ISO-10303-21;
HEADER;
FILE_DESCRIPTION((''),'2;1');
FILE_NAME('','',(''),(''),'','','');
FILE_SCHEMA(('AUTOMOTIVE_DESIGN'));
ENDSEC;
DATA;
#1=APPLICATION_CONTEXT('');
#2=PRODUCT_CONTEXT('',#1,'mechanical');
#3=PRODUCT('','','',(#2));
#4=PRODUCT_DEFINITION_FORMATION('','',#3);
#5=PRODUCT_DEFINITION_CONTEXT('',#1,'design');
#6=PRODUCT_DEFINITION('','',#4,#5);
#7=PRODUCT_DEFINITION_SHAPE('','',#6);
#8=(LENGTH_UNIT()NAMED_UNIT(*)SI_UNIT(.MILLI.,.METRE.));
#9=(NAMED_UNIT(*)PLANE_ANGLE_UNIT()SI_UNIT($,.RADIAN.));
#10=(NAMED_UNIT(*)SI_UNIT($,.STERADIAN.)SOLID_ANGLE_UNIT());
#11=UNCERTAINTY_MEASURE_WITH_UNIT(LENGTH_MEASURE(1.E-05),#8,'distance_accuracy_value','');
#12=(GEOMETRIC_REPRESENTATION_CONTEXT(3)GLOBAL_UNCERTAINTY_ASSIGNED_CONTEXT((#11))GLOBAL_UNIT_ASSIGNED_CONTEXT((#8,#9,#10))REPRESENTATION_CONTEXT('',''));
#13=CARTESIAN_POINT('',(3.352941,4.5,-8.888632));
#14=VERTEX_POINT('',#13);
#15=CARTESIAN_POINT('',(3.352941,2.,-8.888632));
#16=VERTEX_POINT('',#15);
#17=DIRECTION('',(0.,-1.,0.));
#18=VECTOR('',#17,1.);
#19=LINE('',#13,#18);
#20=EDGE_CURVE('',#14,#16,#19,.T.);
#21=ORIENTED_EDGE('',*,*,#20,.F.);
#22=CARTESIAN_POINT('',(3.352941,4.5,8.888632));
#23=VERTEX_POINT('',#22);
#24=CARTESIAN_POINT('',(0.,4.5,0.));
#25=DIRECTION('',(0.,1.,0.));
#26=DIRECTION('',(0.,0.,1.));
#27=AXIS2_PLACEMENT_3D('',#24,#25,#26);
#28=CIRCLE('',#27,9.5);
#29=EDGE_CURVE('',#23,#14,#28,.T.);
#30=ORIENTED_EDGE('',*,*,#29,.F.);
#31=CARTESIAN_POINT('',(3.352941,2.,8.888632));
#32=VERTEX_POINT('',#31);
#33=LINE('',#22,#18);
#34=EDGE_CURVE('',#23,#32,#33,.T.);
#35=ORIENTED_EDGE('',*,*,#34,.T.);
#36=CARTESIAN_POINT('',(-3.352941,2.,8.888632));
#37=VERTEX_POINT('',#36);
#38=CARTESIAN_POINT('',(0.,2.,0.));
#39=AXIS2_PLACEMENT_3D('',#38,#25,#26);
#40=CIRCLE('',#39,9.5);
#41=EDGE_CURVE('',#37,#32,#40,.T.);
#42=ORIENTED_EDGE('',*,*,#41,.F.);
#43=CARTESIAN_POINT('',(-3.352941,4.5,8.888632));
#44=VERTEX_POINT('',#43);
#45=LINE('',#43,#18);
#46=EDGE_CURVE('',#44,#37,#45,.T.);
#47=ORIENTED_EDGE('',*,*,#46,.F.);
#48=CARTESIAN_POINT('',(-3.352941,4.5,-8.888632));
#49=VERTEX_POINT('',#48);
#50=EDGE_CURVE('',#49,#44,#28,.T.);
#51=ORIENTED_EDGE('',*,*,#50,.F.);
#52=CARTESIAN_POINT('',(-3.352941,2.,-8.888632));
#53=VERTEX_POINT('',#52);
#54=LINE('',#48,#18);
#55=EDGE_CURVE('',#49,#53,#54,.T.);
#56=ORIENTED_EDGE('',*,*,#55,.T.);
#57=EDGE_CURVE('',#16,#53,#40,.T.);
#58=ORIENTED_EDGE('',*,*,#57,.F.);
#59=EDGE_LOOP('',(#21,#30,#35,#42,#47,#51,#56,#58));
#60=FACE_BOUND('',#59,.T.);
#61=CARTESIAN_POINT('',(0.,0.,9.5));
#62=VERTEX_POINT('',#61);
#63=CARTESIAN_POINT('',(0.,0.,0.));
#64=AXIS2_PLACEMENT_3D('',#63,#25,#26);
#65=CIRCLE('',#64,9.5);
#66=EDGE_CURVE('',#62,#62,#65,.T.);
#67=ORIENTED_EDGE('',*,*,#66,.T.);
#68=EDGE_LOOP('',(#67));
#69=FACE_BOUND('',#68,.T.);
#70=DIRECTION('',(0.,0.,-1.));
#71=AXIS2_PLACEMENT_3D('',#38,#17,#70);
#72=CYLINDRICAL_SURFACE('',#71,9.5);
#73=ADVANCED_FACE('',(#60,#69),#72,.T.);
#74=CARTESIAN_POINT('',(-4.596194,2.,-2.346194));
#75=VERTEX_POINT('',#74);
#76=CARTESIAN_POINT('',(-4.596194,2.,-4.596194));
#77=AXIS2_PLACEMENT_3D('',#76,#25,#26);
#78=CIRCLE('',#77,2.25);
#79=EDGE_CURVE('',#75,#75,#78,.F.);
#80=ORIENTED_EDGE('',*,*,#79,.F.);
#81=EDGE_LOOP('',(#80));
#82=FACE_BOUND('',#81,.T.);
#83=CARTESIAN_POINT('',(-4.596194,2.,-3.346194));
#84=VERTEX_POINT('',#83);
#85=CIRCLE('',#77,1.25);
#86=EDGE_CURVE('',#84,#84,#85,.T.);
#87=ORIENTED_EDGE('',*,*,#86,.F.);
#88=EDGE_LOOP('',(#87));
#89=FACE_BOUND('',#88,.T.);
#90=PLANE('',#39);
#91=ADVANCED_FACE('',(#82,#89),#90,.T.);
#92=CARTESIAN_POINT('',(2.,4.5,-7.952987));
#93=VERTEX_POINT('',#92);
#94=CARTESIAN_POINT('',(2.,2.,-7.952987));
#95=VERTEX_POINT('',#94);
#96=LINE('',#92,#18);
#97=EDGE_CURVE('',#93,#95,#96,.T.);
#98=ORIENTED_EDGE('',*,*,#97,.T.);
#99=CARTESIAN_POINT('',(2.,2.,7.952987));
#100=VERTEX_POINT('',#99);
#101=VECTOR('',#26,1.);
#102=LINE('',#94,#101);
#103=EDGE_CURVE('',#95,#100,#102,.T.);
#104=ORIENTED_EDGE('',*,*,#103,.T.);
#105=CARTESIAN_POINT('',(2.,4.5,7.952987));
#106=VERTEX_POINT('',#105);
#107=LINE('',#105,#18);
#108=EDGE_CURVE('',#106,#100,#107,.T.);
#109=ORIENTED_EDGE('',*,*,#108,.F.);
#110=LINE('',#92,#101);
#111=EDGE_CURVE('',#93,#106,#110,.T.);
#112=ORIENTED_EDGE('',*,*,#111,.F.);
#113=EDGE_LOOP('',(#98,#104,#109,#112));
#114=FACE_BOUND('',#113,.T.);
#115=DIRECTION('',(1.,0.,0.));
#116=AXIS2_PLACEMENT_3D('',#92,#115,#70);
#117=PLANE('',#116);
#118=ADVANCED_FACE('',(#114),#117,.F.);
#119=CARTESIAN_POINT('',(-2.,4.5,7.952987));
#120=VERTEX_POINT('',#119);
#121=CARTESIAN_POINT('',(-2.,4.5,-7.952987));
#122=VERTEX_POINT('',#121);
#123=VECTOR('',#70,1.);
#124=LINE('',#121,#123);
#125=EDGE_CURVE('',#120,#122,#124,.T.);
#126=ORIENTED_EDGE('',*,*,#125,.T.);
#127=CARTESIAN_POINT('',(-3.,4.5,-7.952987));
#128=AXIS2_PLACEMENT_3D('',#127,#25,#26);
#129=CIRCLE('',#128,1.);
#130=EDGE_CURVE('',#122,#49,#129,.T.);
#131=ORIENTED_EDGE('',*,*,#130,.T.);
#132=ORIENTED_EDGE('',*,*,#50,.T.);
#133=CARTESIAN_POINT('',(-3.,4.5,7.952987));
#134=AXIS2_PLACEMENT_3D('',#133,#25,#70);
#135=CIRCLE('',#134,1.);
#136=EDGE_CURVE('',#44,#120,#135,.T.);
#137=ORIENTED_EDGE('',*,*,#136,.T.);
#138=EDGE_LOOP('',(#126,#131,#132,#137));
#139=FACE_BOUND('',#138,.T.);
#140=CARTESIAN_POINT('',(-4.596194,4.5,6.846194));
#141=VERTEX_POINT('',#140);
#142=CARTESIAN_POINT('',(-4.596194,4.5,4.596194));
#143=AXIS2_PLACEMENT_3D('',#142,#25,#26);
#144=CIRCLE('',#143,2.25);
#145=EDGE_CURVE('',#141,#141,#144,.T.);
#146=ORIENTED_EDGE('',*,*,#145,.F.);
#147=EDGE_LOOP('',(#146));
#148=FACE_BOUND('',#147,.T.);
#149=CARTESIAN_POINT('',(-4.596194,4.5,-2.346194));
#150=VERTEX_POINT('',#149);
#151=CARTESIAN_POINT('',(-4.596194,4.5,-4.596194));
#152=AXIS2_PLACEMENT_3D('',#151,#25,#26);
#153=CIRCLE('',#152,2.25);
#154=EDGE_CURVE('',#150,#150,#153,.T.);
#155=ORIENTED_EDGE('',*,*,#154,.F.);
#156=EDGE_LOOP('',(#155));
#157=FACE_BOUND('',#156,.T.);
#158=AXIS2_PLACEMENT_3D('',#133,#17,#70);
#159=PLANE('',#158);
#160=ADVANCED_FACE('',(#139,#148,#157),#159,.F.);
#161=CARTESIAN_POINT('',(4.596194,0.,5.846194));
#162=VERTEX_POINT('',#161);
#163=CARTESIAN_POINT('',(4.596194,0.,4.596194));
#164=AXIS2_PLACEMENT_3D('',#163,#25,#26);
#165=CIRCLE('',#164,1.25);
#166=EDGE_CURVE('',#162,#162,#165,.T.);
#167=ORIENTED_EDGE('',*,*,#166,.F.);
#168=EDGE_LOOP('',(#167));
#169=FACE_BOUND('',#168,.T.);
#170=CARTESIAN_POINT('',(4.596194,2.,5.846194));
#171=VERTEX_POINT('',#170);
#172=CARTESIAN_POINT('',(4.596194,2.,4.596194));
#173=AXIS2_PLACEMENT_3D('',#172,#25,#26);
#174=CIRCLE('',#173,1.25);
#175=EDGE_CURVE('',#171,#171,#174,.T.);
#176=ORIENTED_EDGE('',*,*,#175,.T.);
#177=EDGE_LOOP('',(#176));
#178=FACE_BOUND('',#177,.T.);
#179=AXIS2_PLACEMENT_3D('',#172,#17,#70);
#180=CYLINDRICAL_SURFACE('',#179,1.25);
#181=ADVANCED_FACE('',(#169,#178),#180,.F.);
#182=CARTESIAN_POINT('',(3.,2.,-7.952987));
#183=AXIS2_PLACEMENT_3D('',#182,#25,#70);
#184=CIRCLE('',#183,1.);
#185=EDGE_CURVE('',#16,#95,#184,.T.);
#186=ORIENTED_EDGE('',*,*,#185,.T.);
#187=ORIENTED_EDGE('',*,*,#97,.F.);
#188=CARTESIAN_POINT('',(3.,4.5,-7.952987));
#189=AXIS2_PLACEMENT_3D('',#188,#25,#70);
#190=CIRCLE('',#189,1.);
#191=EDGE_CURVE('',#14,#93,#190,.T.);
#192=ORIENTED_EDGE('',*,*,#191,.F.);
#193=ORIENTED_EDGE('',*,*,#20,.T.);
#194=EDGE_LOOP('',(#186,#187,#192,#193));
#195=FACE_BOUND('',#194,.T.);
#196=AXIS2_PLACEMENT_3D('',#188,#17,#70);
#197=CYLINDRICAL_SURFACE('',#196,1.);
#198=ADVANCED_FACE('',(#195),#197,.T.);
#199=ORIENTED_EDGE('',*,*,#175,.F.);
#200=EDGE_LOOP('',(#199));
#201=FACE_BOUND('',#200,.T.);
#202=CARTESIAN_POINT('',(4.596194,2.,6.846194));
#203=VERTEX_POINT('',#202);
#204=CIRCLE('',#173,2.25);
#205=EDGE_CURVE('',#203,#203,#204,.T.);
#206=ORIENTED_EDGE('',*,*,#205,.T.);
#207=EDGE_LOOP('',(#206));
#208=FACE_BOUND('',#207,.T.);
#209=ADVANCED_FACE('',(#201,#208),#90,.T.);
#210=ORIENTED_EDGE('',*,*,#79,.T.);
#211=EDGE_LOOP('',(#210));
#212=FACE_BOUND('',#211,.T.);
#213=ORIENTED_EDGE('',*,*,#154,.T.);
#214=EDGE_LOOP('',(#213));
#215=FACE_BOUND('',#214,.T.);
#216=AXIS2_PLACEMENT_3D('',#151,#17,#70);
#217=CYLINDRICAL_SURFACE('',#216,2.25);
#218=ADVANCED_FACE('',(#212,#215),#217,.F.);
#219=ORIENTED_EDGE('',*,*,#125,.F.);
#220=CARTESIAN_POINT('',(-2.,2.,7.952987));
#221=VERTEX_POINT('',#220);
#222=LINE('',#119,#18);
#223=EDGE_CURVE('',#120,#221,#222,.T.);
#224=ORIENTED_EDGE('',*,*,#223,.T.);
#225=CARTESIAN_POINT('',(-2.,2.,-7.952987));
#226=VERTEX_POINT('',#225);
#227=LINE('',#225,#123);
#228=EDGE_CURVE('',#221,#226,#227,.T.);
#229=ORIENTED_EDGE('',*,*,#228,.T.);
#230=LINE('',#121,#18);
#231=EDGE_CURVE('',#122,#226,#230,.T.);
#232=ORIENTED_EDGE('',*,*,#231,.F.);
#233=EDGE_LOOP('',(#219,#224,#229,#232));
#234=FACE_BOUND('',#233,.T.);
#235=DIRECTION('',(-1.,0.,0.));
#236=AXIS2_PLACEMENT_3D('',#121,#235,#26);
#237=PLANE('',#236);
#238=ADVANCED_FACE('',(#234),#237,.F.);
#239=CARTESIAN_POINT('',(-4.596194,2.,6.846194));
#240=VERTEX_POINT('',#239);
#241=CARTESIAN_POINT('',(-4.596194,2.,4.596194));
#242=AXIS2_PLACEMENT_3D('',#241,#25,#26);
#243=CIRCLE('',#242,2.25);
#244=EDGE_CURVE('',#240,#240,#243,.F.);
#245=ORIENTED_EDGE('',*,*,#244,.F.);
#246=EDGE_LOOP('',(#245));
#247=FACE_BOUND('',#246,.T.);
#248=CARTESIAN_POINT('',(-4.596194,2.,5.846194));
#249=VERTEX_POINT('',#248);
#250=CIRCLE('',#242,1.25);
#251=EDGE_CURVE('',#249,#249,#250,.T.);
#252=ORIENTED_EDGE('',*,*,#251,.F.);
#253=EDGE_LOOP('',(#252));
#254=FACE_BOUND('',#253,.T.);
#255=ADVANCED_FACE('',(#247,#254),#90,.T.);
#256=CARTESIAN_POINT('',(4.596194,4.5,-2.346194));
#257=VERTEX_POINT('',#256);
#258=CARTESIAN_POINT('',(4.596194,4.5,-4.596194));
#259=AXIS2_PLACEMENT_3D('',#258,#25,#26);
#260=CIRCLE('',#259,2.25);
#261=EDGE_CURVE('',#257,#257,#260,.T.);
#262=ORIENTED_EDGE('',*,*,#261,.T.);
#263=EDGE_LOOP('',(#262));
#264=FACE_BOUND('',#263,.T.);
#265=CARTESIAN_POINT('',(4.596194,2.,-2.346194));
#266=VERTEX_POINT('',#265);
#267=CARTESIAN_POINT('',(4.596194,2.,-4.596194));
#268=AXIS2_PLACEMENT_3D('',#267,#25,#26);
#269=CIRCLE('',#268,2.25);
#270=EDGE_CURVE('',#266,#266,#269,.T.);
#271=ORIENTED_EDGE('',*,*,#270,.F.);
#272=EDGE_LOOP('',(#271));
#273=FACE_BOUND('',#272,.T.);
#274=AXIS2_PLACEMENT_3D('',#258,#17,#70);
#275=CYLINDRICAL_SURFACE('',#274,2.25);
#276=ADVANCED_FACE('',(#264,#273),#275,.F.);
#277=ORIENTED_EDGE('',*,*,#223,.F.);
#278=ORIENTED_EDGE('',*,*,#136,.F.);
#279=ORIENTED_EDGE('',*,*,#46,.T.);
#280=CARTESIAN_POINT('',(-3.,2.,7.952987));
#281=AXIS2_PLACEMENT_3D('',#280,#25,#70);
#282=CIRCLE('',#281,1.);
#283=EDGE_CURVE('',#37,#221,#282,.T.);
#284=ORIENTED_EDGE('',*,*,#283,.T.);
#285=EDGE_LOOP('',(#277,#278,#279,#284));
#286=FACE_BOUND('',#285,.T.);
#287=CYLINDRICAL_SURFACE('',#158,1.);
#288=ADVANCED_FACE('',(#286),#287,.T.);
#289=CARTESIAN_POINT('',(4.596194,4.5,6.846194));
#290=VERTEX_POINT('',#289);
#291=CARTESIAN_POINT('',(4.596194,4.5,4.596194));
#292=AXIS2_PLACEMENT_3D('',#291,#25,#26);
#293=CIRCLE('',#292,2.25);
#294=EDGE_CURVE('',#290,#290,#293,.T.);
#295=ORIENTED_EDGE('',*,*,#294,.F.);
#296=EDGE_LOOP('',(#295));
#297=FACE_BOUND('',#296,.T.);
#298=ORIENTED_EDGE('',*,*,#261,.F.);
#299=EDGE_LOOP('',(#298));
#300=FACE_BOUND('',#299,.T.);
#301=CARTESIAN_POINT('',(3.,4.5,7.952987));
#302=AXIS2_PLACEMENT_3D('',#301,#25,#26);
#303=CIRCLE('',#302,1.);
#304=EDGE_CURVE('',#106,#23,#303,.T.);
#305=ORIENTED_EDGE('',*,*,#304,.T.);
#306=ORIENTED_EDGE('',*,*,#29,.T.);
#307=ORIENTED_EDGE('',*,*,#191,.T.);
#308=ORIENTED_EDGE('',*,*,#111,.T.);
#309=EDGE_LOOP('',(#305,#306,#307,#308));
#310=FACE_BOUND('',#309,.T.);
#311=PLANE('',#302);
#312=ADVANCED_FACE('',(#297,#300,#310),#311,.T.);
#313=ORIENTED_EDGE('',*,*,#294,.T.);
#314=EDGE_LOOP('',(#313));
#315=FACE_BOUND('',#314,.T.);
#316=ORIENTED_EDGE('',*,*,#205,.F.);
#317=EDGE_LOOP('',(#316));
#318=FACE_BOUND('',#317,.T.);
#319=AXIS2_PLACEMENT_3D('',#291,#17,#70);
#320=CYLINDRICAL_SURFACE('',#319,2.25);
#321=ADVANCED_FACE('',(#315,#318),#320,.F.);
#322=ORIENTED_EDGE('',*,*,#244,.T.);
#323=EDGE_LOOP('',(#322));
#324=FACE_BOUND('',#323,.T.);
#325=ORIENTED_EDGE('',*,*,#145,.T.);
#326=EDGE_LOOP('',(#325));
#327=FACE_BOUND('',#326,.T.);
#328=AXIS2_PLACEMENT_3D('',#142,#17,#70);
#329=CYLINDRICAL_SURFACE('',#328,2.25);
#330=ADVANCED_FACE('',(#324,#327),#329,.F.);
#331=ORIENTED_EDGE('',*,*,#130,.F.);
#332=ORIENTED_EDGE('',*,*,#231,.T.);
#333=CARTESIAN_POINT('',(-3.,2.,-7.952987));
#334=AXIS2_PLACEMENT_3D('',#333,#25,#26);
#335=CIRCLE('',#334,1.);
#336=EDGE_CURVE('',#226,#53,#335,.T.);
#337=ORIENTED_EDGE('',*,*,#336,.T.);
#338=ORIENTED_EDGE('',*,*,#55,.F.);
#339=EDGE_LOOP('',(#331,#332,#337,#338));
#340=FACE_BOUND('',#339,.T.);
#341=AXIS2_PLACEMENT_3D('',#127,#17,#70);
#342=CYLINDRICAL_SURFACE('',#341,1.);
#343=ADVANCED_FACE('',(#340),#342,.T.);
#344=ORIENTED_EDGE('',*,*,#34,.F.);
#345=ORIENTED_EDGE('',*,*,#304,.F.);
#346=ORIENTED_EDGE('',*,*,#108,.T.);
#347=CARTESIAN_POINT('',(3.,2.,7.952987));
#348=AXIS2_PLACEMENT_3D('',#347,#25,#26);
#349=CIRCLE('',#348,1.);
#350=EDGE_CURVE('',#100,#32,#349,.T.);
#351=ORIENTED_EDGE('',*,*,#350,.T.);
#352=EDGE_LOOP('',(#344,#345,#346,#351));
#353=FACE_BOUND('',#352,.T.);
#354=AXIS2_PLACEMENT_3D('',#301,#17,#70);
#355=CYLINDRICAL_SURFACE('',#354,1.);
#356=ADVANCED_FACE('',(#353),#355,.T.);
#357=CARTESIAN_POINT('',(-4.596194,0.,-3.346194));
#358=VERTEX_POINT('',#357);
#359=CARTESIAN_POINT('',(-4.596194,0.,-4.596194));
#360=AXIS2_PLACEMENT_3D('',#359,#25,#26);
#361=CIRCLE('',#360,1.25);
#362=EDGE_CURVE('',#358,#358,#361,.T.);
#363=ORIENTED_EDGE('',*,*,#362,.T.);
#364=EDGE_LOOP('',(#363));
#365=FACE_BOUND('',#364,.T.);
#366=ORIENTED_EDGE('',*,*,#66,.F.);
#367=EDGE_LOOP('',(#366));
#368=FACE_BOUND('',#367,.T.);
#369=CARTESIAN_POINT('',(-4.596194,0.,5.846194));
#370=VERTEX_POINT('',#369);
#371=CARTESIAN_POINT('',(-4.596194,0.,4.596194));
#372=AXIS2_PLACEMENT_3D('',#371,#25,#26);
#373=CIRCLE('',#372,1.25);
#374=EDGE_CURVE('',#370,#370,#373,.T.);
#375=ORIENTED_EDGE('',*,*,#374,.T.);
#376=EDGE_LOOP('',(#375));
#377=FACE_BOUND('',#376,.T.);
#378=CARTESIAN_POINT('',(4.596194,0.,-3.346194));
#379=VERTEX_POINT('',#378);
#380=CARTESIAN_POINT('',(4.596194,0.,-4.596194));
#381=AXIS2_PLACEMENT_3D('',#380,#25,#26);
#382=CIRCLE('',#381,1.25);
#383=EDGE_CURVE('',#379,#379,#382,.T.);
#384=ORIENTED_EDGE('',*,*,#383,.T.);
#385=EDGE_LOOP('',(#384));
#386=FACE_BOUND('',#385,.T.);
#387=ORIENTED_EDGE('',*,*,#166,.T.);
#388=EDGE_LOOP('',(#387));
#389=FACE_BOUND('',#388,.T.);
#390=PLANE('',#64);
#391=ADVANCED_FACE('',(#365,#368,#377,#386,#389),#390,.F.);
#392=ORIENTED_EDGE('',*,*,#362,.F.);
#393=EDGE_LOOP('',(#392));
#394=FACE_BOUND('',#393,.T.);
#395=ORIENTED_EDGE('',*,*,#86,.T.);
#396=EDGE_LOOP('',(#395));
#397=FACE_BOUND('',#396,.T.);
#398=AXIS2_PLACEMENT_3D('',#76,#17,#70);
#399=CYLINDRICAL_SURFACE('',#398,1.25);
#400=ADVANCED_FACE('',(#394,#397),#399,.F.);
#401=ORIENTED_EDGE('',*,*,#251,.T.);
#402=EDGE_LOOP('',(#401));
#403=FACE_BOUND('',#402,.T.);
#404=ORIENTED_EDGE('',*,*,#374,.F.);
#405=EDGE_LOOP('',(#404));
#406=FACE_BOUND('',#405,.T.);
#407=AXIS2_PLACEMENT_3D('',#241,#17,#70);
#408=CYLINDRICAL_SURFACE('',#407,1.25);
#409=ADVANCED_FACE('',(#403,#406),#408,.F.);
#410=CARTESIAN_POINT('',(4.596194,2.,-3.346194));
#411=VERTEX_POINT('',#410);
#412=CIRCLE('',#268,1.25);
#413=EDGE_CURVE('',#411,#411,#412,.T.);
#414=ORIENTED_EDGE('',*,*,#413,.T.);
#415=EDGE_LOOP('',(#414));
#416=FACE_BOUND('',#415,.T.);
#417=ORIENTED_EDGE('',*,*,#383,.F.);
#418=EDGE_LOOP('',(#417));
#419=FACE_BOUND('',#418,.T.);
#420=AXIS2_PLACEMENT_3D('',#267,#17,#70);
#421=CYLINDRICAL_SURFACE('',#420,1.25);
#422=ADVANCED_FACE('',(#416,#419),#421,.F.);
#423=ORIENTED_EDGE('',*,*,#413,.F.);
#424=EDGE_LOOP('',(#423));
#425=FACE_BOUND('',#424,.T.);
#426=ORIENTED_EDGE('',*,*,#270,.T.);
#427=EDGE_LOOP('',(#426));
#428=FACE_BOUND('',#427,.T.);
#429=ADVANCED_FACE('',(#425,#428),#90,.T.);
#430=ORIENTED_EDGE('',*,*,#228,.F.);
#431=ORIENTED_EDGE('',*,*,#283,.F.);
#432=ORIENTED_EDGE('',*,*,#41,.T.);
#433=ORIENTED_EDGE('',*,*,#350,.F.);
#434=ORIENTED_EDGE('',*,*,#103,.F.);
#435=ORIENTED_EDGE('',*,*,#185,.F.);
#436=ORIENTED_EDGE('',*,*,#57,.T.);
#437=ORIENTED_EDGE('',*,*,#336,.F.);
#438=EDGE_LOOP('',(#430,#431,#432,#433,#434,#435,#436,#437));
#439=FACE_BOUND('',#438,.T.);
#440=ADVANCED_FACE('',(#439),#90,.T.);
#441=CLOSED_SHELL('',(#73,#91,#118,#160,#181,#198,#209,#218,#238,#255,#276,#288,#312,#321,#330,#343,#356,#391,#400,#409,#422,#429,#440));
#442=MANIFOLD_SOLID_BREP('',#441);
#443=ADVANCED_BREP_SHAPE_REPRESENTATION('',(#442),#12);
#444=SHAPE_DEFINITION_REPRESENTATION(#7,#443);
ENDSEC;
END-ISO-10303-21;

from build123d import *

# Parameters (mm, degrees)
SKETCH_1_R      = 9.5
SKETCH_1_R_2    = 1.25
EXTRUDE_1_DEPTH = 2
SKETCH_2_R      = 2.25
EXTRUDE_2_DEPTH = 2.5


with BuildPart() as part:
    # 草图1 → 凸台-拉伸1 (new body)
    with BuildSketch(Plane(origin=(0, 0, 0), x_dir=(1, 0, 0), z_dir=(0, 1, 0))):
        with Locations(Location((0, 0, 0), (0, 0, 270))):
            Circle(SKETCH_1_R)
        with Locations(Location((4.596194078, 4.596194078, 0), (0, 0, 270))):
            Circle(SKETCH_1_R_2, mode=Mode.SUBTRACT)
        with Locations(Location((4.596194078, -4.596194078, 0), (0, 0, 270))):
            Circle(SKETCH_1_R_2, mode=Mode.SUBTRACT)
        with Locations(Location((-4.596194078, -4.596194078, 0), (0, 0, 270))):
            Circle(SKETCH_1_R_2, mode=Mode.SUBTRACT)
        with Locations(Location((-4.596194078, 4.596194078, 0), (0, 0, 270))):
            Circle(SKETCH_1_R_2, mode=Mode.SUBTRACT)
    extrude(amount=EXTRUDE_1_DEPTH)

    # 草图2 → 凸台-拉伸2 (add)
    # profile 1 of 2: a face of its own
    with BuildSketch(Plane(origin=(0, 2, 0), x_dir=(1, 0, 0), z_dir=(0, 1, 0))):
        with BuildLine():
            Line((-2, 7.95298686), (-2, -7.95298686))
            ThreePointArc((-2, -7.95298686), (-2.431203541, -8.775465181), (-3.352941176, -8.888632373))
            ThreePointArc((-3.352941176, -8.888632373), (-9.5, 0), (-3.352941176, 8.888632373))
            ThreePointArc((-3.352941176, 8.888632373), (-2.431203541, 8.775465181), (-2, 7.95298686))
        make_face()
        with Locations(Location((-4.596194078, 4.596194078, 0), (0, 0, 270))):
            Circle(SKETCH_2_R, mode=Mode.SUBTRACT)
        with Locations(Location((-4.596194078, -4.596194078, 0), (0, 0, 270))):
            Circle(SKETCH_2_R, mode=Mode.SUBTRACT)
    # profile 2 of 2: a face of its own
    with BuildSketch(Plane(origin=(0, 2, 0), x_dir=(1, 0, 0), z_dir=(0, 1, 0))):
        with BuildLine():
            Line((2, 7.95298686), (2, -7.95298686))
            ThreePointArc((2, -7.95298686), (2.431203541, -8.775465181), (3.352941176, -8.888632373))
            ThreePointArc((3.352941176, -8.888632373), (9.5, 0), (3.352941176, 8.888632373))
            ThreePointArc((3.352941176, 8.888632373), (2.431203541, 8.775465181), (2, 7.95298686))
        make_face()
        with Locations(Location((4.596194078, 4.596194078, 0), (0, 0, 270))):
            Circle(SKETCH_2_R, mode=Mode.SUBTRACT)
        with Locations(Location((4.596194078, -4.596194078, 0), (0, 0, 270))):
            Circle(SKETCH_2_R, mode=Mode.SUBTRACT)
    extrude(amount=EXTRUDE_2_DEPTH)


solid = part.part
